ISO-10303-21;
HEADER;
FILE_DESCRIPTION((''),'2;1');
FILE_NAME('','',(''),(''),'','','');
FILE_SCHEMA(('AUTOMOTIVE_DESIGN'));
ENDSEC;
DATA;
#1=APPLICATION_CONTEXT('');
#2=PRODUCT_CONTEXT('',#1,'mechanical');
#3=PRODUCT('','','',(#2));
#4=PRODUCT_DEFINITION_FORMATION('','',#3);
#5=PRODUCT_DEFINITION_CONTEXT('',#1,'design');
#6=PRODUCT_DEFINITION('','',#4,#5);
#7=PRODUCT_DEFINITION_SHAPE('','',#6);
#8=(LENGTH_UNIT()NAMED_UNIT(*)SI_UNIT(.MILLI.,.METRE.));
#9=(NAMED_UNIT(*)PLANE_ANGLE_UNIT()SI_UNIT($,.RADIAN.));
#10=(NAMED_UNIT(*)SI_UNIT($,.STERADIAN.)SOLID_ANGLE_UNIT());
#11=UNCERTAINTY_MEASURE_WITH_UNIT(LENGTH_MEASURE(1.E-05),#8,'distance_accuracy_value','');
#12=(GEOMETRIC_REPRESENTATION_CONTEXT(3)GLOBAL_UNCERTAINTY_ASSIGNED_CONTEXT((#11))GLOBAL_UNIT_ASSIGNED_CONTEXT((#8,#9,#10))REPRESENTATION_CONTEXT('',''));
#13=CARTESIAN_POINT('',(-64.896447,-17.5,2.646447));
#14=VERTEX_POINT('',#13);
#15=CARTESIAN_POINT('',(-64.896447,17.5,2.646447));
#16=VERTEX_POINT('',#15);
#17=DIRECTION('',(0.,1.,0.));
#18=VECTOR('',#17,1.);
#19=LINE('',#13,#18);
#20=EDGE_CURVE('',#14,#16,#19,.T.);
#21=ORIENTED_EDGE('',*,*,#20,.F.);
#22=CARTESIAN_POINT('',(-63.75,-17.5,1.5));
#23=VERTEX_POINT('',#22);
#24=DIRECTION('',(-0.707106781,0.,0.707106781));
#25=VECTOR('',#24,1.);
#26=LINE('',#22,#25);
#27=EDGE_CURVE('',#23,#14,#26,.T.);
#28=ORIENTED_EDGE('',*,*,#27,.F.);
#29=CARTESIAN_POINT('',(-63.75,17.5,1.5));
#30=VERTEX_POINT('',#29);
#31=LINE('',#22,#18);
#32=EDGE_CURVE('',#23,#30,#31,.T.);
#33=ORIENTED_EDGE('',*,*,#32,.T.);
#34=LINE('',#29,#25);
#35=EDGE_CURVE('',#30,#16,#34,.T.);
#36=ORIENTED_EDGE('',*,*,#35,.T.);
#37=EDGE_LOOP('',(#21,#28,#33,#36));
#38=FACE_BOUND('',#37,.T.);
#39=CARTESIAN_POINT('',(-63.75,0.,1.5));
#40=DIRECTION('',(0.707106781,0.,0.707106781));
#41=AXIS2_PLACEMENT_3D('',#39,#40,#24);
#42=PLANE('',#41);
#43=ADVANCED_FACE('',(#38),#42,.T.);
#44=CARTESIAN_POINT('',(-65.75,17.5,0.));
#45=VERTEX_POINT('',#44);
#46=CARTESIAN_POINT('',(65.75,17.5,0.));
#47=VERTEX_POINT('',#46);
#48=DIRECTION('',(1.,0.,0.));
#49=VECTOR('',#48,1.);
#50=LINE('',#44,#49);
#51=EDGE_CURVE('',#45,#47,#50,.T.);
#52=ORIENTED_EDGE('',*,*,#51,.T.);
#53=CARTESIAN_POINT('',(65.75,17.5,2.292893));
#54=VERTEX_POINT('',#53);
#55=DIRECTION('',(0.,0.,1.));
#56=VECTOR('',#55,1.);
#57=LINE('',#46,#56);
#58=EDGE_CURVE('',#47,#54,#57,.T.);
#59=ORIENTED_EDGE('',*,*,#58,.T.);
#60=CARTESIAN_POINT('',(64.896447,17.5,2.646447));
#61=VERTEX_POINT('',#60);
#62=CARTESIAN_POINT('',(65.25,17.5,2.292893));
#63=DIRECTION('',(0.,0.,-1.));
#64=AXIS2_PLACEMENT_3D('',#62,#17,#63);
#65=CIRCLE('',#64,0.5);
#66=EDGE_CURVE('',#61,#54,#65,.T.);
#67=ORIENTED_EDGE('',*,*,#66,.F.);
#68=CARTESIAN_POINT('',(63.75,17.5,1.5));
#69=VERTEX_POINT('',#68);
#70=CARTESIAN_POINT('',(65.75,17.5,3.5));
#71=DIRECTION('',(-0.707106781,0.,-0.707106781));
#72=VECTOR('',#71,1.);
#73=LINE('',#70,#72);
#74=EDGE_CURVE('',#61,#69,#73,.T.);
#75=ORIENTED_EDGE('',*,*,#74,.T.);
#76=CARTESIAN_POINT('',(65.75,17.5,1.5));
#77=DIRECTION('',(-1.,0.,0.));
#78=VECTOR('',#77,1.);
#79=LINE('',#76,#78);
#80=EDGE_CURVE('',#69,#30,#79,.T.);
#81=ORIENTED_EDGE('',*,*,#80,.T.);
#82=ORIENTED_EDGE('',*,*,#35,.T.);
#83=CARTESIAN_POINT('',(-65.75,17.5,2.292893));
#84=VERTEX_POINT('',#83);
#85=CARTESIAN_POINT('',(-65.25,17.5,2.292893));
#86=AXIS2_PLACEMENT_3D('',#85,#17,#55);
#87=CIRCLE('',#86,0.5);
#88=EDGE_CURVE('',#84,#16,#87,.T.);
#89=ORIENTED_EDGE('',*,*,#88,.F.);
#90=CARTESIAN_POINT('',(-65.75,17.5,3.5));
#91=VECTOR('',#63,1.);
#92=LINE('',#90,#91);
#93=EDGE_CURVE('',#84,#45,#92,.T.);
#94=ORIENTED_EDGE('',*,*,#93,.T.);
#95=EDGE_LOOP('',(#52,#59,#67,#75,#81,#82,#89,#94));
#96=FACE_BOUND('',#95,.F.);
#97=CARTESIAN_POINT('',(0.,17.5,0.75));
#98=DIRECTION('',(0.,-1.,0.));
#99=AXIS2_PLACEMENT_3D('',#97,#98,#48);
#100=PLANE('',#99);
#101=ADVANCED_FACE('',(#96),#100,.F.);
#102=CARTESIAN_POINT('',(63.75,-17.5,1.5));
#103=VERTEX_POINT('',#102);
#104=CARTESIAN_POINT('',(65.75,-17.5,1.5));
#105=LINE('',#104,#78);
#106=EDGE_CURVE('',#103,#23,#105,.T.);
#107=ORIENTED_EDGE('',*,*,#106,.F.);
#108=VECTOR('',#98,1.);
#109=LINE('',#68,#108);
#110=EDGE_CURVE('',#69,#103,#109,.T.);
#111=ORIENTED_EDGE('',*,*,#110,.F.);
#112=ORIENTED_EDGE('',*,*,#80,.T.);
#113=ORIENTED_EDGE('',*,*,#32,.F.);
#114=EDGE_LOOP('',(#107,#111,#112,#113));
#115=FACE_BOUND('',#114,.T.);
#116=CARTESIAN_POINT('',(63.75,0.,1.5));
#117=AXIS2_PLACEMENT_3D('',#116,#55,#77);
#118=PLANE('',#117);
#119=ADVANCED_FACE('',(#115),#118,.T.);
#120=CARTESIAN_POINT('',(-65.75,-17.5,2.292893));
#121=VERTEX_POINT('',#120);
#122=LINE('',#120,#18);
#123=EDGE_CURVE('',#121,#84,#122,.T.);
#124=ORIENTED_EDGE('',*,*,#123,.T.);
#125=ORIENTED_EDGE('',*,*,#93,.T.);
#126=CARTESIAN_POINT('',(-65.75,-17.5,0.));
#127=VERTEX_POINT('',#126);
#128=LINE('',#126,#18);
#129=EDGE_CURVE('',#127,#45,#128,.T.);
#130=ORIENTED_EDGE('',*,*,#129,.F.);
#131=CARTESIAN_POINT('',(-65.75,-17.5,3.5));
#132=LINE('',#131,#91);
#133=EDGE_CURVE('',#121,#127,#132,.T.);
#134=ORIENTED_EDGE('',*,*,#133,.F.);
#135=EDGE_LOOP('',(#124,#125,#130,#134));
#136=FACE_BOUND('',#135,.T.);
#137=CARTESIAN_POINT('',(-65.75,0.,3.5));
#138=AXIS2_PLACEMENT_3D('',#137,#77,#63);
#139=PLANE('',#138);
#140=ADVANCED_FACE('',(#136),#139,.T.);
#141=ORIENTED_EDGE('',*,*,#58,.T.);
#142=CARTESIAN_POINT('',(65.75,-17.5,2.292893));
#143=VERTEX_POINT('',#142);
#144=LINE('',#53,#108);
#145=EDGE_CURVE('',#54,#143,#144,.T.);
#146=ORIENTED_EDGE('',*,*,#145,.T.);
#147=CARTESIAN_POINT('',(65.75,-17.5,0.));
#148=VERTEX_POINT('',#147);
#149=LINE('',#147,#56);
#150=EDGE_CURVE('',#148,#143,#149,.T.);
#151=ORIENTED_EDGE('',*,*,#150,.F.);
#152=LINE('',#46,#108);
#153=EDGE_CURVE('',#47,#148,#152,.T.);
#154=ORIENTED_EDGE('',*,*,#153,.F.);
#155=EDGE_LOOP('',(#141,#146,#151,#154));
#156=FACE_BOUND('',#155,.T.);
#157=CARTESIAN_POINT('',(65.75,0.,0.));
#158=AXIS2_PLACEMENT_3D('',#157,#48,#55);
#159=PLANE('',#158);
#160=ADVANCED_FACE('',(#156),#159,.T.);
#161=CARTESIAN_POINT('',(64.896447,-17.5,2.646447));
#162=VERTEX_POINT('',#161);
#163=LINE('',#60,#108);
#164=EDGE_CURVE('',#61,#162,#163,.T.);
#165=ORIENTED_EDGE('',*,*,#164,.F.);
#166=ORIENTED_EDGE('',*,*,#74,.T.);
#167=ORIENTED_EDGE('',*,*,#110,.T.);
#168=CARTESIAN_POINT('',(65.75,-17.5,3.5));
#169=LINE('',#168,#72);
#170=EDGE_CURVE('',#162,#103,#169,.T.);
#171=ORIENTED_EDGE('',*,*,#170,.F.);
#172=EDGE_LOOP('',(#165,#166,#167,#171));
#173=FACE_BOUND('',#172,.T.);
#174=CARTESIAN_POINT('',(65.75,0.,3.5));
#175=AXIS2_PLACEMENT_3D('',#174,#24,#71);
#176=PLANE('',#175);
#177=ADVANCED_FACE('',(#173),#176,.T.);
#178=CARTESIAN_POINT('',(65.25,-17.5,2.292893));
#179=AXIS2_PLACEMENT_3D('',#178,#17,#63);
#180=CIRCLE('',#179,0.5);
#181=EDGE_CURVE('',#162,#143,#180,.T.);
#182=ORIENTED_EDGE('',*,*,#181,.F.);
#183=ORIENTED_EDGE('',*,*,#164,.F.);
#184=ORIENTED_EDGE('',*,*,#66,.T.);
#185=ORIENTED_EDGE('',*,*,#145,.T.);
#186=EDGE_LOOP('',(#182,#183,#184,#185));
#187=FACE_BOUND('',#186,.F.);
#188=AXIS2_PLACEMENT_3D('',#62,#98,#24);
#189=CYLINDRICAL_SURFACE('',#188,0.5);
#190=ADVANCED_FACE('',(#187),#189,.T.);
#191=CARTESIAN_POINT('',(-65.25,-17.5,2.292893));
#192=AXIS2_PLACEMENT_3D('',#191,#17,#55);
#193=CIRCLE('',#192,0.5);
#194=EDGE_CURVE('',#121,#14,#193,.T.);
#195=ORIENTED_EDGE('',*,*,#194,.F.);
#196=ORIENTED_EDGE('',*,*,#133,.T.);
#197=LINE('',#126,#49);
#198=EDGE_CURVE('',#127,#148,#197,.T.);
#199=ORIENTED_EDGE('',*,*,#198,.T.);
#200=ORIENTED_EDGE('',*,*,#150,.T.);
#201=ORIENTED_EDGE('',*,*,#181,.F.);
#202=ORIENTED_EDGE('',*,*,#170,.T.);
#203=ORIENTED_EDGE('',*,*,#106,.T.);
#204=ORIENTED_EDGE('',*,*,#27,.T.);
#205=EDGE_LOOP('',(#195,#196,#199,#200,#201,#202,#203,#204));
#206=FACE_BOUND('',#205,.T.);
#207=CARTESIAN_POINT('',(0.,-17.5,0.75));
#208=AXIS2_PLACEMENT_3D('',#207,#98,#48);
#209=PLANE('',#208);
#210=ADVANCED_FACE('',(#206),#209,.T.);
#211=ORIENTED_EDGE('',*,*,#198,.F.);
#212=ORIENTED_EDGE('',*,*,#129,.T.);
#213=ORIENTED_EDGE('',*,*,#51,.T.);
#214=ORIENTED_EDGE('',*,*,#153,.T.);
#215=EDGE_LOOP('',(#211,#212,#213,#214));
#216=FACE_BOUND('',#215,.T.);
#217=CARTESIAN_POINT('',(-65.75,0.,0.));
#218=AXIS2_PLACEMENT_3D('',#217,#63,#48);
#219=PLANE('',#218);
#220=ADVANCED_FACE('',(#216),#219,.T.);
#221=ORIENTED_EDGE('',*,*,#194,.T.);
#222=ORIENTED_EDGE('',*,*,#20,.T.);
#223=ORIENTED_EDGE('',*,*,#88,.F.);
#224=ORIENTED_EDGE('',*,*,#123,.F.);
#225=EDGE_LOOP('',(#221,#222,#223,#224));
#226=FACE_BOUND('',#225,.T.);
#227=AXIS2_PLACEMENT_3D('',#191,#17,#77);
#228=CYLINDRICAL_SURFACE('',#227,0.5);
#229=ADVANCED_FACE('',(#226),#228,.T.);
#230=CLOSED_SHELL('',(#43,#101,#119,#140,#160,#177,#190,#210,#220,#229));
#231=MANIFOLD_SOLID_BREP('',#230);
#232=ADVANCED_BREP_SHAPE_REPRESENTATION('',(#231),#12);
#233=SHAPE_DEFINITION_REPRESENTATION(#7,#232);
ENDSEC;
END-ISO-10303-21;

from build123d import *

# Parameters (mm, degrees)
F1_DEPTH = 17.5
F2_R     = 0.5


with BuildPart() as f1:
    # F0 (on Front) → F1 (new body, symmetric)
    with BuildSketch(Plane.XZ):
        Polygon((-65.75, 1.5), (-65.75, 0), (65.75, 0), (65.75, 1.5), (63.75, 1.5), (-63.75, 1.5), align=None)
        Polygon((-65.75, 3.5), (-65.75, 1.5), (-63.75, 1.5), align=None)
        Polygon((63.75, 1.5), (65.75, 1.5), (65.75, 3.5), align=None)
    extrude(amount=F1_DEPTH, both=True)

    # F2
    f2_edges = [f1.edges().sort_by_distance(p)[0] for p in [
        (-65.75, 0, 3.5),
        (65.75, 0, 3.5),
    ]]
    fillet(f2_edges, radius=F2_R)


solid = f1.part
